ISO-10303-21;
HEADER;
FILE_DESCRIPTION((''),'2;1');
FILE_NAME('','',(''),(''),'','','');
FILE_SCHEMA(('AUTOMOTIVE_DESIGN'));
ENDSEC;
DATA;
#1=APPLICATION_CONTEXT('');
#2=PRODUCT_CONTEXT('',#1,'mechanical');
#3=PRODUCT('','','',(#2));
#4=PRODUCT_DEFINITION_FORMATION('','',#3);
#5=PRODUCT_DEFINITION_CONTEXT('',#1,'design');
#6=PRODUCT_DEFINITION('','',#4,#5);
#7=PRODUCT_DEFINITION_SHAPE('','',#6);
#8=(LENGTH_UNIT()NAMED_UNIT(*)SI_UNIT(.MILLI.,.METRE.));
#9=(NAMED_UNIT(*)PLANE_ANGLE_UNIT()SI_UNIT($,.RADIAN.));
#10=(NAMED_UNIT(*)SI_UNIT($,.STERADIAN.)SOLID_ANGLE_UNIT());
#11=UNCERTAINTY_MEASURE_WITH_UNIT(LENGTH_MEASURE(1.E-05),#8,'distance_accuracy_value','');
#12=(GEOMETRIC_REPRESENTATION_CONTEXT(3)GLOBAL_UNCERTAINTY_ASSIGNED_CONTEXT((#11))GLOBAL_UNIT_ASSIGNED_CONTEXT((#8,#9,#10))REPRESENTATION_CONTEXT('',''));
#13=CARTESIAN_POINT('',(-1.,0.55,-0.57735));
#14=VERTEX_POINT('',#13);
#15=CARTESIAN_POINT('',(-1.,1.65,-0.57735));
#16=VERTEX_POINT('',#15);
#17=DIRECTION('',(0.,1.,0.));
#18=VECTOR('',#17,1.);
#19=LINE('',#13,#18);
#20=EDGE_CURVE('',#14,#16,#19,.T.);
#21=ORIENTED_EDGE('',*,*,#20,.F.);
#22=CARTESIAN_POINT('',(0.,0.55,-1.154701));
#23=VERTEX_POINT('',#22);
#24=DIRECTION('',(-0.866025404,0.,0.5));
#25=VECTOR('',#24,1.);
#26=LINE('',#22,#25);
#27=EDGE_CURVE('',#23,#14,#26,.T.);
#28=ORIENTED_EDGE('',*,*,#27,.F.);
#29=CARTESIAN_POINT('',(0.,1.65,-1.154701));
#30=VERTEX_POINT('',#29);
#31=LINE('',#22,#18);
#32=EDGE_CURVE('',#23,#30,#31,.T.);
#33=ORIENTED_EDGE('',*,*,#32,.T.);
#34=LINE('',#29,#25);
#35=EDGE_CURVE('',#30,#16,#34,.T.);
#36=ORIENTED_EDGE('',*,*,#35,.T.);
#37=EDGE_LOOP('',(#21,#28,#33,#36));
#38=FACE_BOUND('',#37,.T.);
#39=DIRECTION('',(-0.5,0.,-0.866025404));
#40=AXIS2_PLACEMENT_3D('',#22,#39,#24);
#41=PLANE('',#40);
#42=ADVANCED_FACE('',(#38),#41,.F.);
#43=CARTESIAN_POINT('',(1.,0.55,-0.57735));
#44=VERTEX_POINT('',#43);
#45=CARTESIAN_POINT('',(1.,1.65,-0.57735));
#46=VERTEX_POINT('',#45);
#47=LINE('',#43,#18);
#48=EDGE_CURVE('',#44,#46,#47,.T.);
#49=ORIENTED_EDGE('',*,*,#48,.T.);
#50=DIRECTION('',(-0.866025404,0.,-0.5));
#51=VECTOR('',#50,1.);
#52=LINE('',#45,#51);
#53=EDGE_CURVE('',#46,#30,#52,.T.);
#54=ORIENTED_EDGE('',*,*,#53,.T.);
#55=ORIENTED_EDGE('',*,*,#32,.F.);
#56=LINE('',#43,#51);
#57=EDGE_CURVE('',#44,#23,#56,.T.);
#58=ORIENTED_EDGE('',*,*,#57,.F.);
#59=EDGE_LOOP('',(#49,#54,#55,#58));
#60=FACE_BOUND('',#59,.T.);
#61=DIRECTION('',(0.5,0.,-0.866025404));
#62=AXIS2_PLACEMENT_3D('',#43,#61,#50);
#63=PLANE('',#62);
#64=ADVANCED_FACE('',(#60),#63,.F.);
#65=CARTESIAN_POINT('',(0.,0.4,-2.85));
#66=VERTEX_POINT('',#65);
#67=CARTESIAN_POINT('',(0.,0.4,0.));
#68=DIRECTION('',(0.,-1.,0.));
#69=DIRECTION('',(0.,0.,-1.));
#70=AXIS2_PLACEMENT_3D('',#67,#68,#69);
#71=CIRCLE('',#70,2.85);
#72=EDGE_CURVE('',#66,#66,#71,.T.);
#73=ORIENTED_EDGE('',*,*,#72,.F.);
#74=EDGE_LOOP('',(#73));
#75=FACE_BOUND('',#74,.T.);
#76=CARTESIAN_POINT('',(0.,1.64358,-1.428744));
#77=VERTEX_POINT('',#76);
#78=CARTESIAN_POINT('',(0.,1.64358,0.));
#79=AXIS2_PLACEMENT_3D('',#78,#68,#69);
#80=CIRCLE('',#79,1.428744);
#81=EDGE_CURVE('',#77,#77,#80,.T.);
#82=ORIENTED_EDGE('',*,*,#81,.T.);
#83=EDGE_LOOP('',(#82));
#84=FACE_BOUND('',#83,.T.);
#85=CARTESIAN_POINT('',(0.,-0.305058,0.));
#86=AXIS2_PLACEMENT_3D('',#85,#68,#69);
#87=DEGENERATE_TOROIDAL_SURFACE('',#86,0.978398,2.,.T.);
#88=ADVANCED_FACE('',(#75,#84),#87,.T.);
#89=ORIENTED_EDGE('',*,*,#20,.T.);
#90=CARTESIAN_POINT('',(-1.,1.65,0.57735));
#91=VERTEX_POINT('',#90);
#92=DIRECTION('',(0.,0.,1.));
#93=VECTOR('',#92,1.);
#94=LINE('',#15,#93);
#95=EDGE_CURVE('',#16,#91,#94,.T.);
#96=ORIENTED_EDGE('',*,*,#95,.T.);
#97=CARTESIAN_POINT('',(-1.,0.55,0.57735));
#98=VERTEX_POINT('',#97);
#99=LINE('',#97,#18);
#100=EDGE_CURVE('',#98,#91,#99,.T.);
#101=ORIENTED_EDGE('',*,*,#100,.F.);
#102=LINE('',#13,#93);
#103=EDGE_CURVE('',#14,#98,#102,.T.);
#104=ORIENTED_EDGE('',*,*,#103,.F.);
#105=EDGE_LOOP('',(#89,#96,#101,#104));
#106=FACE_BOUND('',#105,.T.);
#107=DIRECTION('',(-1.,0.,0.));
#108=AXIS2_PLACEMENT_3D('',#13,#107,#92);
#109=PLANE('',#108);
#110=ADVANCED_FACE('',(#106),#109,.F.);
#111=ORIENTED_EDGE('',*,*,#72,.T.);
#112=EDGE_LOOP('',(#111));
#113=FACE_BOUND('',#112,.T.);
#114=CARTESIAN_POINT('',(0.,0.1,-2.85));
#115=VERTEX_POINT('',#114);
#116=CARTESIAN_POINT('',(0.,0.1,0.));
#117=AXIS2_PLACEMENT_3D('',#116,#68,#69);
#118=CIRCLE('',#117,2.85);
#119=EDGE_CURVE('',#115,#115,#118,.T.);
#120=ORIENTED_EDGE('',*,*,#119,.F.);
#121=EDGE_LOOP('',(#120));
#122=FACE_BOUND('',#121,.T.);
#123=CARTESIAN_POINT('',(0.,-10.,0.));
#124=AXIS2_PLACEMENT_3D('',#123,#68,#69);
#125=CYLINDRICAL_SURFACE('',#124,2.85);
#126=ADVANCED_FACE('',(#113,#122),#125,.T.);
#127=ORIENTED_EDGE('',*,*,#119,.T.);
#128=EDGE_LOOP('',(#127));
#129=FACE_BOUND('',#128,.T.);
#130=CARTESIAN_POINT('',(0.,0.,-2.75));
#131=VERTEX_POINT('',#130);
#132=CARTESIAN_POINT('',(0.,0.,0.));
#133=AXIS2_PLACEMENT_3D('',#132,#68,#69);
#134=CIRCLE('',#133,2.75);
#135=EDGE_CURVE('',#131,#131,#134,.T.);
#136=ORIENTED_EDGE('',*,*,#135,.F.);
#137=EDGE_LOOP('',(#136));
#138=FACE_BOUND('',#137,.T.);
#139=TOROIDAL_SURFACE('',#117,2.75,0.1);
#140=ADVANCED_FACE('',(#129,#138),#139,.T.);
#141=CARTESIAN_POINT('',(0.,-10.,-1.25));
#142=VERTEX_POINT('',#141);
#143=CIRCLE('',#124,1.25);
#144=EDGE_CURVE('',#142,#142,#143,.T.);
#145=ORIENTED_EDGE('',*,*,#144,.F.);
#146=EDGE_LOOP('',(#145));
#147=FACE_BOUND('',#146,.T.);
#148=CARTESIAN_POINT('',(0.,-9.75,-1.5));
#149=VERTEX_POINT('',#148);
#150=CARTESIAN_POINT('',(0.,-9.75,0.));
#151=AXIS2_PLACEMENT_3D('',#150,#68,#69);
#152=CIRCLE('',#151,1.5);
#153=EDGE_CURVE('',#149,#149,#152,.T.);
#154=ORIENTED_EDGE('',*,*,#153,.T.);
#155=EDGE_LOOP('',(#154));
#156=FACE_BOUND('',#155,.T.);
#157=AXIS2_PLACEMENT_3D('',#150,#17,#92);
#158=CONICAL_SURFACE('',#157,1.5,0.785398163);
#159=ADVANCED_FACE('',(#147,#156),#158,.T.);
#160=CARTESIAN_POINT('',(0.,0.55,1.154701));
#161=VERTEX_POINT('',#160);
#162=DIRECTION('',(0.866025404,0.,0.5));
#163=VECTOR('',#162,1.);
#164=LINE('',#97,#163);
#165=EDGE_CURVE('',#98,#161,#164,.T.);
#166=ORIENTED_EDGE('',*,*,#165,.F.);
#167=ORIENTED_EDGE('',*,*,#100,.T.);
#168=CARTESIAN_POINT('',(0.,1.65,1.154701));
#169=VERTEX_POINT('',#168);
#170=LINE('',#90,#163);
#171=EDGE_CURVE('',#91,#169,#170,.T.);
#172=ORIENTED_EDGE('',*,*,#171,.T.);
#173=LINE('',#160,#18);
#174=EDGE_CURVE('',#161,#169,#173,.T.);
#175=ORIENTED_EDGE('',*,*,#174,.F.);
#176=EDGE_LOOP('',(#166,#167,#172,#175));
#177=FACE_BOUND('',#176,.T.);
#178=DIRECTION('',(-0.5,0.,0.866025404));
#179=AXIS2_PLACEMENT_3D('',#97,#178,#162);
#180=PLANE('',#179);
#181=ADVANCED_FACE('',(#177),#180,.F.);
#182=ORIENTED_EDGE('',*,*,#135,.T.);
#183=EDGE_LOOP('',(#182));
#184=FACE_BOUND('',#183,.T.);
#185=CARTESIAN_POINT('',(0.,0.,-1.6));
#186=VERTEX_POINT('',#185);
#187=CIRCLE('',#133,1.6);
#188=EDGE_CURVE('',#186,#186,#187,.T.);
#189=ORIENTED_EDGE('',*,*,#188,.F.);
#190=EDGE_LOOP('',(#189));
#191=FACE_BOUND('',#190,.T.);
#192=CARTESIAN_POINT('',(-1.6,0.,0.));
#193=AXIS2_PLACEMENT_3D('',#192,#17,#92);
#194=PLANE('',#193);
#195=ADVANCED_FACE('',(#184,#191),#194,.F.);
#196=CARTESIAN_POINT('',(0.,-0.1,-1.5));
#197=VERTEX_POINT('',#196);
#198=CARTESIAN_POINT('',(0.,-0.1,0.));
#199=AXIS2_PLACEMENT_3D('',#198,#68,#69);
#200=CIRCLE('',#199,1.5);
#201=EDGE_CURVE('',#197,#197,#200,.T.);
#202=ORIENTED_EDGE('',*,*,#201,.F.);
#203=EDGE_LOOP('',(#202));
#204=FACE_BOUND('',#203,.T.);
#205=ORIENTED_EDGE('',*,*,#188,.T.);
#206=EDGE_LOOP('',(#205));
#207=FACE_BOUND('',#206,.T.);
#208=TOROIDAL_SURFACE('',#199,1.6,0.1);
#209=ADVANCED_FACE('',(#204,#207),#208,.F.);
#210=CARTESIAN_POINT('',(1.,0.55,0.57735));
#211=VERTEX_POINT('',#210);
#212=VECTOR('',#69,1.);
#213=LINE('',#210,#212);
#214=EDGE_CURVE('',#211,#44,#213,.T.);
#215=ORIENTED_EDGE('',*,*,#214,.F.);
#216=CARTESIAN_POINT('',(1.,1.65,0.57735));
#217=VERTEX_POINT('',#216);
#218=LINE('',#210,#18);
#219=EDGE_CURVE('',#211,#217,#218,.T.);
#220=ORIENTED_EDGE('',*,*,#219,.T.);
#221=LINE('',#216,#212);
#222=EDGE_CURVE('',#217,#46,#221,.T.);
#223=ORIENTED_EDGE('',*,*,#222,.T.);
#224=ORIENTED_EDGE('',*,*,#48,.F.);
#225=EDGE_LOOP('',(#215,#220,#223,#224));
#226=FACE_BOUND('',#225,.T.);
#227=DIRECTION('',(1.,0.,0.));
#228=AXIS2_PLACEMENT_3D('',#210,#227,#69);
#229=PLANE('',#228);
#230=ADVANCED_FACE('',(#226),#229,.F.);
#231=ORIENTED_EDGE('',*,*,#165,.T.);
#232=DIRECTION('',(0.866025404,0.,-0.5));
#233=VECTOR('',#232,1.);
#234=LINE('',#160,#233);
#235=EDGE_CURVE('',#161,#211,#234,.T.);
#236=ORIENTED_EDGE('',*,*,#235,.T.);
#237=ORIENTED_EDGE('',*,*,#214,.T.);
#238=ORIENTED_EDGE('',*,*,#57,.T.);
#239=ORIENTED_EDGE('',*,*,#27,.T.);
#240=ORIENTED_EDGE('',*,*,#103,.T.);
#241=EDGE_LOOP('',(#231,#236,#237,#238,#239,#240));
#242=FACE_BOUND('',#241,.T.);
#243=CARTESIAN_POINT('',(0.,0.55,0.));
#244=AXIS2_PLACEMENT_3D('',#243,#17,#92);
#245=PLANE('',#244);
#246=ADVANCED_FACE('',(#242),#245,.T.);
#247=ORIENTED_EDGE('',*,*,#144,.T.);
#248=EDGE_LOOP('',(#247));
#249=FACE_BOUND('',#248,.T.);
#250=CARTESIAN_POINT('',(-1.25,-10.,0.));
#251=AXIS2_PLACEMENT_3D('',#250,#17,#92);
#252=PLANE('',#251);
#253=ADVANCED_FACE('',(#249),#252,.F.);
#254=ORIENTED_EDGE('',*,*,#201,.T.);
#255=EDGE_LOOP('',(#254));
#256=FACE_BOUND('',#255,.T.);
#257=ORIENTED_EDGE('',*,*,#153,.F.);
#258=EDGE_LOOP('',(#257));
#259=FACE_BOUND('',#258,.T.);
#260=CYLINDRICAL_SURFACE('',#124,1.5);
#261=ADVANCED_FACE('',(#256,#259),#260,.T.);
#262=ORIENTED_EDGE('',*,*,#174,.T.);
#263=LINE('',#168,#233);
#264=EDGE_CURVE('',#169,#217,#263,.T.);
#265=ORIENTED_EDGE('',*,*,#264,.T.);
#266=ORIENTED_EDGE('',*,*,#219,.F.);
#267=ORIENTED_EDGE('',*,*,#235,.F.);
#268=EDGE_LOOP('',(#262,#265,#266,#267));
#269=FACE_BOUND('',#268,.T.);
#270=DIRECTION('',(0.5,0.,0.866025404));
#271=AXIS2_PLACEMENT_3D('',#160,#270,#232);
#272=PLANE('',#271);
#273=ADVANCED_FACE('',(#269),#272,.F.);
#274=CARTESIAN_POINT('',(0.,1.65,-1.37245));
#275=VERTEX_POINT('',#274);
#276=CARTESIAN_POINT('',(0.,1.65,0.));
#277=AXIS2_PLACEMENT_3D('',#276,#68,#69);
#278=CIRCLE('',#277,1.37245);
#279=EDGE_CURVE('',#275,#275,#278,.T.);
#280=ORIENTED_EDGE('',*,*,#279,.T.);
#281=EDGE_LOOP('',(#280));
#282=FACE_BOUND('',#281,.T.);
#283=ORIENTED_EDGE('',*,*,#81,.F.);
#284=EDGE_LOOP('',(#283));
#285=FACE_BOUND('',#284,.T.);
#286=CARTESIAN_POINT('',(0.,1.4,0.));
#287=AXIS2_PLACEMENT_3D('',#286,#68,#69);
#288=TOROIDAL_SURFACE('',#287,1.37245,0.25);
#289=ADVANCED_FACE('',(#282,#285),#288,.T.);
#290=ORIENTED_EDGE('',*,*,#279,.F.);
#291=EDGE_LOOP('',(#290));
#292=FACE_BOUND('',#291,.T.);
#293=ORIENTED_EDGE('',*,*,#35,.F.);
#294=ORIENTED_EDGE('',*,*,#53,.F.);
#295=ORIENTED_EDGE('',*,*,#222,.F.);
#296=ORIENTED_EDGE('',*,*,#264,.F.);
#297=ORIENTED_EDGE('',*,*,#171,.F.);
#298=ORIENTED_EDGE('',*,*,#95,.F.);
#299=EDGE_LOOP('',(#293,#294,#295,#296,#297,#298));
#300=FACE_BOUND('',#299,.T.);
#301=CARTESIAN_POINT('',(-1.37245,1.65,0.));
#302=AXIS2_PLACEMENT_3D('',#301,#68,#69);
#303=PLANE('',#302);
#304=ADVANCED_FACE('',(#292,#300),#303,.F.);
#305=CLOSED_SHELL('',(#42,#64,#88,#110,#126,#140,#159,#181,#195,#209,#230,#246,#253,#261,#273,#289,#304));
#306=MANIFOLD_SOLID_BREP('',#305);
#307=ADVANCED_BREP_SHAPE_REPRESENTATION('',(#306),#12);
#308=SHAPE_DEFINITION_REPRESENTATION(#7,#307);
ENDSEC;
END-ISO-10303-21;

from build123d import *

# Parameters (mm, degrees)
CUT_EXTRUDE1_DEPTH = 1.1


with BuildPart() as part:
    # Sketch1 → Revolve1 (revolve)
    with BuildSketch(Plane.XY, mode=Mode.PRIVATE) as revolve1_sk:
        with BuildLine():
            Line((-1.5, -0.1), (-1.5, -9.75))
            Line((-1.5, -9.75), (-1.25, -10))
            Line((-1.25, -10), (0, -10))
            Line((0, -10), (0, 1.65))
            Line((0, 1.65), (-1.372450351, 1.65))
            ThreePointArc((-1.372450351, 1.65), (-1.400779398, 1.648389744), (-1.42874351, 1.643579721))
            ThreePointArc((-1.42874351, 1.643579721), (-2.295395633, 1.200105689), (-2.85, 0.4))
            Line((-2.85, 0.4), (-2.85, 0.1))
            ThreePointArc((-2.85, 0.1), (-2.820710678, 0.029289322), (-2.75, 0))
            Line((-2.75, 0), (-1.6, 0))
            ThreePointArc((-1.6, 0), (-1.529289322, -0.029289322), (-1.5, -0.1))
        make_face()
    revolve(revolve1_sk.sketch.rotate(Axis((0, -10, 0), (0, 1, 0)), 270), axis=Axis((0, -10, 0), (0, 1, 0)))

    # Sketch2 → Cut-Extrude1 (cut)
    with BuildSketch(Plane(origin=(0, 1.65, 0), x_dir=(1, 0, 0), z_dir=(0, 1, 0))):
        Polygon((-1, 0.577350269), (-1, -0.577350269), (0, -1.154700538), (1, -0.577350269), (1, 0.577350269), (0, 1.154700538), align=None)
    extrude(amount=-CUT_EXTRUDE1_DEPTH, mode=Mode.SUBTRACT)


solid = part.part
